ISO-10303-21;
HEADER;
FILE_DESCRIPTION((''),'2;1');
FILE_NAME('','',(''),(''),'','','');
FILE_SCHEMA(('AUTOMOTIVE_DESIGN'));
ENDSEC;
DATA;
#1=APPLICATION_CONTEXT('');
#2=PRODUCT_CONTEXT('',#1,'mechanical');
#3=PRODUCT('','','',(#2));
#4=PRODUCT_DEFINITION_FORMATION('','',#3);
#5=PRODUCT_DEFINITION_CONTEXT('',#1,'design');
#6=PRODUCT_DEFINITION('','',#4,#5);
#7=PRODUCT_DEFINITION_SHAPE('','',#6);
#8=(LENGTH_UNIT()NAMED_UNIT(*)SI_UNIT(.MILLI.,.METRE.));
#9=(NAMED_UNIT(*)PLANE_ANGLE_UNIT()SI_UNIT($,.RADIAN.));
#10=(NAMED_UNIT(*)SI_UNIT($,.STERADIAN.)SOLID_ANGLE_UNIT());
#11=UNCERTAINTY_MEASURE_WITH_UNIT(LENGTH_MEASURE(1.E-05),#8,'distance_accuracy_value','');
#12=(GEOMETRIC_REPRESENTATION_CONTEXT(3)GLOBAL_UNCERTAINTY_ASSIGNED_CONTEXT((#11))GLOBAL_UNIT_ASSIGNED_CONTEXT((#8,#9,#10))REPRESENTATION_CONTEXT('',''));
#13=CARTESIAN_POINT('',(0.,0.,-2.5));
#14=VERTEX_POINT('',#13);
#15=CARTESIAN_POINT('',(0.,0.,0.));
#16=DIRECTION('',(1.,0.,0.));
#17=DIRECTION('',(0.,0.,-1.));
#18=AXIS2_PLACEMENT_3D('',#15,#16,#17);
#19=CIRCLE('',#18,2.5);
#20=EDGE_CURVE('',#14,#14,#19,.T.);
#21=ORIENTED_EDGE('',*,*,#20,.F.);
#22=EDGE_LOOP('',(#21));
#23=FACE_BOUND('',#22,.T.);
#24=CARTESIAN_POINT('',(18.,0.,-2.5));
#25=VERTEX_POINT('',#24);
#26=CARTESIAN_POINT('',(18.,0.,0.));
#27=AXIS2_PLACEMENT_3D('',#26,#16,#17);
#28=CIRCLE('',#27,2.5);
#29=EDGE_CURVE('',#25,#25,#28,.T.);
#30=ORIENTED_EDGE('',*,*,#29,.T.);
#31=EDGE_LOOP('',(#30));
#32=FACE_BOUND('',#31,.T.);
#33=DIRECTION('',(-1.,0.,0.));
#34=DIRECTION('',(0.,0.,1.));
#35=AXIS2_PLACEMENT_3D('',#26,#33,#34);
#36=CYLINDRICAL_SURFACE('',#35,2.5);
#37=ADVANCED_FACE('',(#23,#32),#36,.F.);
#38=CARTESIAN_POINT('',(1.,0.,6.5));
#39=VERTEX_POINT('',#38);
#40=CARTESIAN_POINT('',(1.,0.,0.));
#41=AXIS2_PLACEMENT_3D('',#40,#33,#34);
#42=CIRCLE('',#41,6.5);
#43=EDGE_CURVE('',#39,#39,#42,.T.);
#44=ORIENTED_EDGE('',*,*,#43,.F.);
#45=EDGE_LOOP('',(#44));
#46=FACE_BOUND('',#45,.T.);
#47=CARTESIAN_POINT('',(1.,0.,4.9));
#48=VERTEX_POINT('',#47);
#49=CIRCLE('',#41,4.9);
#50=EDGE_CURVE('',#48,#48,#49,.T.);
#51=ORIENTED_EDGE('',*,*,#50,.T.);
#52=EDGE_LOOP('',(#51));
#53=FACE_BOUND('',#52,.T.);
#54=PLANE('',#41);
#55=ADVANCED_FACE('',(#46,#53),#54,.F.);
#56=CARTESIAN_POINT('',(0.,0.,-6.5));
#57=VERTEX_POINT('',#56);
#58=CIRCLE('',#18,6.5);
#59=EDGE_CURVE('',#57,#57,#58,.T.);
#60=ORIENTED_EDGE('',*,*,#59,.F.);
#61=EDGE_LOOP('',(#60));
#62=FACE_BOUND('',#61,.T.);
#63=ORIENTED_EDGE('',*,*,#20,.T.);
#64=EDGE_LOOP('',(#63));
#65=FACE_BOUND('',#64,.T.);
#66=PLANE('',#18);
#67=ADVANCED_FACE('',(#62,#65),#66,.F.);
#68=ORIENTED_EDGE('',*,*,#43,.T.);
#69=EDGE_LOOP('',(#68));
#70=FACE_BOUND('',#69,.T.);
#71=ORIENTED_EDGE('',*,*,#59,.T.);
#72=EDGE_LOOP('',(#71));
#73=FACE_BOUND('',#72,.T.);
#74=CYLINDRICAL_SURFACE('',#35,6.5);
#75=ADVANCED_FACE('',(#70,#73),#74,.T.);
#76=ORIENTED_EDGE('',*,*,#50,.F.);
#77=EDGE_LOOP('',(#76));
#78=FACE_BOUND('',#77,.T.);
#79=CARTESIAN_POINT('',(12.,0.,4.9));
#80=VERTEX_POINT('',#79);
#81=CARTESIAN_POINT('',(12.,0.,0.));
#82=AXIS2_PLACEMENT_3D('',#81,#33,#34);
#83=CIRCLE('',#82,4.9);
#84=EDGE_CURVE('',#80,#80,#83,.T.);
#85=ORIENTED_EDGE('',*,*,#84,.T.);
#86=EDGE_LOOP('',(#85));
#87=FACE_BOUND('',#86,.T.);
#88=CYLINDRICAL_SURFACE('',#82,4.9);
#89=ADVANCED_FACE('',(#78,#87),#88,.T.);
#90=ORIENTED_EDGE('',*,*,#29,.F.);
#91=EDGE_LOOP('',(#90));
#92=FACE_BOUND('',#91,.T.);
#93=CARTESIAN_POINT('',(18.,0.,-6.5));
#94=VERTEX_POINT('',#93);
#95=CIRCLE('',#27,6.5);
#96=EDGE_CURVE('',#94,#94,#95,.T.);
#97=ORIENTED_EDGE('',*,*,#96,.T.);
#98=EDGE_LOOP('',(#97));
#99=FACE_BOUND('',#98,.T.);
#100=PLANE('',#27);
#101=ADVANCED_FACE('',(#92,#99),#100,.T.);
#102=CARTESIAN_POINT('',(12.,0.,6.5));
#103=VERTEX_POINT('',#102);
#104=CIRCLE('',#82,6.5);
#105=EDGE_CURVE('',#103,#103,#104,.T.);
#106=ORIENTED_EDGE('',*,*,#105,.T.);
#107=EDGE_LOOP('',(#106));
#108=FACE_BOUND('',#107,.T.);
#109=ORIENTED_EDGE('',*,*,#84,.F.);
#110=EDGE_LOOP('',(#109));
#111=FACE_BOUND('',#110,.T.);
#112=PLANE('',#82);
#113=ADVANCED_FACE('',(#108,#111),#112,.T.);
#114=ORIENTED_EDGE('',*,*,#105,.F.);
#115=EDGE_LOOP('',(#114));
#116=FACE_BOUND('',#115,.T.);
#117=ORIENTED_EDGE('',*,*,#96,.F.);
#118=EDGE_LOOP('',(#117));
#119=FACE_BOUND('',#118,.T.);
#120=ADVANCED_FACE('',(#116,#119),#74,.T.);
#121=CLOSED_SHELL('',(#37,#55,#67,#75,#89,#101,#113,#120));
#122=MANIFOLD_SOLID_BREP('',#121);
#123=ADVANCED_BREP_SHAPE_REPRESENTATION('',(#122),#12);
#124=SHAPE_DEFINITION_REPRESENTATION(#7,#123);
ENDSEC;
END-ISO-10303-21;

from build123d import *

# Parameters (mm, degrees)
SKETCH1_R           = 6.5
SKETCH1_R_2         = 2.5
BOSS_EXTRUDE1_DEPTH = 18
SKETCH2_R           = 6.5
SKETCH2_R_2         = 4.9
CUT_EXTRUDE1_DEPTH  = 11


with BuildPart() as part:
    # Sketch1 → Boss-Extrude1 (new body)
    with BuildSketch(Plane(origin=(0, 0, 0), x_dir=(0, 0, -1), z_dir=(1, 0, 0))):
        Circle(SKETCH1_R)
        Circle(SKETCH1_R_2, mode=Mode.SUBTRACT)
    extrude(amount=BOSS_EXTRUDE1_DEPTH)

    # Sketch2 → Cut-Extrude1 (cut)
    with BuildSketch(Plane.ZY.offset(-1)):
        Circle(SKETCH2_R)
        Circle(SKETCH2_R_2, mode=Mode.SUBTRACT)
    extrude(amount=-CUT_EXTRUDE1_DEPTH, mode=Mode.SUBTRACT)


solid = part.part
